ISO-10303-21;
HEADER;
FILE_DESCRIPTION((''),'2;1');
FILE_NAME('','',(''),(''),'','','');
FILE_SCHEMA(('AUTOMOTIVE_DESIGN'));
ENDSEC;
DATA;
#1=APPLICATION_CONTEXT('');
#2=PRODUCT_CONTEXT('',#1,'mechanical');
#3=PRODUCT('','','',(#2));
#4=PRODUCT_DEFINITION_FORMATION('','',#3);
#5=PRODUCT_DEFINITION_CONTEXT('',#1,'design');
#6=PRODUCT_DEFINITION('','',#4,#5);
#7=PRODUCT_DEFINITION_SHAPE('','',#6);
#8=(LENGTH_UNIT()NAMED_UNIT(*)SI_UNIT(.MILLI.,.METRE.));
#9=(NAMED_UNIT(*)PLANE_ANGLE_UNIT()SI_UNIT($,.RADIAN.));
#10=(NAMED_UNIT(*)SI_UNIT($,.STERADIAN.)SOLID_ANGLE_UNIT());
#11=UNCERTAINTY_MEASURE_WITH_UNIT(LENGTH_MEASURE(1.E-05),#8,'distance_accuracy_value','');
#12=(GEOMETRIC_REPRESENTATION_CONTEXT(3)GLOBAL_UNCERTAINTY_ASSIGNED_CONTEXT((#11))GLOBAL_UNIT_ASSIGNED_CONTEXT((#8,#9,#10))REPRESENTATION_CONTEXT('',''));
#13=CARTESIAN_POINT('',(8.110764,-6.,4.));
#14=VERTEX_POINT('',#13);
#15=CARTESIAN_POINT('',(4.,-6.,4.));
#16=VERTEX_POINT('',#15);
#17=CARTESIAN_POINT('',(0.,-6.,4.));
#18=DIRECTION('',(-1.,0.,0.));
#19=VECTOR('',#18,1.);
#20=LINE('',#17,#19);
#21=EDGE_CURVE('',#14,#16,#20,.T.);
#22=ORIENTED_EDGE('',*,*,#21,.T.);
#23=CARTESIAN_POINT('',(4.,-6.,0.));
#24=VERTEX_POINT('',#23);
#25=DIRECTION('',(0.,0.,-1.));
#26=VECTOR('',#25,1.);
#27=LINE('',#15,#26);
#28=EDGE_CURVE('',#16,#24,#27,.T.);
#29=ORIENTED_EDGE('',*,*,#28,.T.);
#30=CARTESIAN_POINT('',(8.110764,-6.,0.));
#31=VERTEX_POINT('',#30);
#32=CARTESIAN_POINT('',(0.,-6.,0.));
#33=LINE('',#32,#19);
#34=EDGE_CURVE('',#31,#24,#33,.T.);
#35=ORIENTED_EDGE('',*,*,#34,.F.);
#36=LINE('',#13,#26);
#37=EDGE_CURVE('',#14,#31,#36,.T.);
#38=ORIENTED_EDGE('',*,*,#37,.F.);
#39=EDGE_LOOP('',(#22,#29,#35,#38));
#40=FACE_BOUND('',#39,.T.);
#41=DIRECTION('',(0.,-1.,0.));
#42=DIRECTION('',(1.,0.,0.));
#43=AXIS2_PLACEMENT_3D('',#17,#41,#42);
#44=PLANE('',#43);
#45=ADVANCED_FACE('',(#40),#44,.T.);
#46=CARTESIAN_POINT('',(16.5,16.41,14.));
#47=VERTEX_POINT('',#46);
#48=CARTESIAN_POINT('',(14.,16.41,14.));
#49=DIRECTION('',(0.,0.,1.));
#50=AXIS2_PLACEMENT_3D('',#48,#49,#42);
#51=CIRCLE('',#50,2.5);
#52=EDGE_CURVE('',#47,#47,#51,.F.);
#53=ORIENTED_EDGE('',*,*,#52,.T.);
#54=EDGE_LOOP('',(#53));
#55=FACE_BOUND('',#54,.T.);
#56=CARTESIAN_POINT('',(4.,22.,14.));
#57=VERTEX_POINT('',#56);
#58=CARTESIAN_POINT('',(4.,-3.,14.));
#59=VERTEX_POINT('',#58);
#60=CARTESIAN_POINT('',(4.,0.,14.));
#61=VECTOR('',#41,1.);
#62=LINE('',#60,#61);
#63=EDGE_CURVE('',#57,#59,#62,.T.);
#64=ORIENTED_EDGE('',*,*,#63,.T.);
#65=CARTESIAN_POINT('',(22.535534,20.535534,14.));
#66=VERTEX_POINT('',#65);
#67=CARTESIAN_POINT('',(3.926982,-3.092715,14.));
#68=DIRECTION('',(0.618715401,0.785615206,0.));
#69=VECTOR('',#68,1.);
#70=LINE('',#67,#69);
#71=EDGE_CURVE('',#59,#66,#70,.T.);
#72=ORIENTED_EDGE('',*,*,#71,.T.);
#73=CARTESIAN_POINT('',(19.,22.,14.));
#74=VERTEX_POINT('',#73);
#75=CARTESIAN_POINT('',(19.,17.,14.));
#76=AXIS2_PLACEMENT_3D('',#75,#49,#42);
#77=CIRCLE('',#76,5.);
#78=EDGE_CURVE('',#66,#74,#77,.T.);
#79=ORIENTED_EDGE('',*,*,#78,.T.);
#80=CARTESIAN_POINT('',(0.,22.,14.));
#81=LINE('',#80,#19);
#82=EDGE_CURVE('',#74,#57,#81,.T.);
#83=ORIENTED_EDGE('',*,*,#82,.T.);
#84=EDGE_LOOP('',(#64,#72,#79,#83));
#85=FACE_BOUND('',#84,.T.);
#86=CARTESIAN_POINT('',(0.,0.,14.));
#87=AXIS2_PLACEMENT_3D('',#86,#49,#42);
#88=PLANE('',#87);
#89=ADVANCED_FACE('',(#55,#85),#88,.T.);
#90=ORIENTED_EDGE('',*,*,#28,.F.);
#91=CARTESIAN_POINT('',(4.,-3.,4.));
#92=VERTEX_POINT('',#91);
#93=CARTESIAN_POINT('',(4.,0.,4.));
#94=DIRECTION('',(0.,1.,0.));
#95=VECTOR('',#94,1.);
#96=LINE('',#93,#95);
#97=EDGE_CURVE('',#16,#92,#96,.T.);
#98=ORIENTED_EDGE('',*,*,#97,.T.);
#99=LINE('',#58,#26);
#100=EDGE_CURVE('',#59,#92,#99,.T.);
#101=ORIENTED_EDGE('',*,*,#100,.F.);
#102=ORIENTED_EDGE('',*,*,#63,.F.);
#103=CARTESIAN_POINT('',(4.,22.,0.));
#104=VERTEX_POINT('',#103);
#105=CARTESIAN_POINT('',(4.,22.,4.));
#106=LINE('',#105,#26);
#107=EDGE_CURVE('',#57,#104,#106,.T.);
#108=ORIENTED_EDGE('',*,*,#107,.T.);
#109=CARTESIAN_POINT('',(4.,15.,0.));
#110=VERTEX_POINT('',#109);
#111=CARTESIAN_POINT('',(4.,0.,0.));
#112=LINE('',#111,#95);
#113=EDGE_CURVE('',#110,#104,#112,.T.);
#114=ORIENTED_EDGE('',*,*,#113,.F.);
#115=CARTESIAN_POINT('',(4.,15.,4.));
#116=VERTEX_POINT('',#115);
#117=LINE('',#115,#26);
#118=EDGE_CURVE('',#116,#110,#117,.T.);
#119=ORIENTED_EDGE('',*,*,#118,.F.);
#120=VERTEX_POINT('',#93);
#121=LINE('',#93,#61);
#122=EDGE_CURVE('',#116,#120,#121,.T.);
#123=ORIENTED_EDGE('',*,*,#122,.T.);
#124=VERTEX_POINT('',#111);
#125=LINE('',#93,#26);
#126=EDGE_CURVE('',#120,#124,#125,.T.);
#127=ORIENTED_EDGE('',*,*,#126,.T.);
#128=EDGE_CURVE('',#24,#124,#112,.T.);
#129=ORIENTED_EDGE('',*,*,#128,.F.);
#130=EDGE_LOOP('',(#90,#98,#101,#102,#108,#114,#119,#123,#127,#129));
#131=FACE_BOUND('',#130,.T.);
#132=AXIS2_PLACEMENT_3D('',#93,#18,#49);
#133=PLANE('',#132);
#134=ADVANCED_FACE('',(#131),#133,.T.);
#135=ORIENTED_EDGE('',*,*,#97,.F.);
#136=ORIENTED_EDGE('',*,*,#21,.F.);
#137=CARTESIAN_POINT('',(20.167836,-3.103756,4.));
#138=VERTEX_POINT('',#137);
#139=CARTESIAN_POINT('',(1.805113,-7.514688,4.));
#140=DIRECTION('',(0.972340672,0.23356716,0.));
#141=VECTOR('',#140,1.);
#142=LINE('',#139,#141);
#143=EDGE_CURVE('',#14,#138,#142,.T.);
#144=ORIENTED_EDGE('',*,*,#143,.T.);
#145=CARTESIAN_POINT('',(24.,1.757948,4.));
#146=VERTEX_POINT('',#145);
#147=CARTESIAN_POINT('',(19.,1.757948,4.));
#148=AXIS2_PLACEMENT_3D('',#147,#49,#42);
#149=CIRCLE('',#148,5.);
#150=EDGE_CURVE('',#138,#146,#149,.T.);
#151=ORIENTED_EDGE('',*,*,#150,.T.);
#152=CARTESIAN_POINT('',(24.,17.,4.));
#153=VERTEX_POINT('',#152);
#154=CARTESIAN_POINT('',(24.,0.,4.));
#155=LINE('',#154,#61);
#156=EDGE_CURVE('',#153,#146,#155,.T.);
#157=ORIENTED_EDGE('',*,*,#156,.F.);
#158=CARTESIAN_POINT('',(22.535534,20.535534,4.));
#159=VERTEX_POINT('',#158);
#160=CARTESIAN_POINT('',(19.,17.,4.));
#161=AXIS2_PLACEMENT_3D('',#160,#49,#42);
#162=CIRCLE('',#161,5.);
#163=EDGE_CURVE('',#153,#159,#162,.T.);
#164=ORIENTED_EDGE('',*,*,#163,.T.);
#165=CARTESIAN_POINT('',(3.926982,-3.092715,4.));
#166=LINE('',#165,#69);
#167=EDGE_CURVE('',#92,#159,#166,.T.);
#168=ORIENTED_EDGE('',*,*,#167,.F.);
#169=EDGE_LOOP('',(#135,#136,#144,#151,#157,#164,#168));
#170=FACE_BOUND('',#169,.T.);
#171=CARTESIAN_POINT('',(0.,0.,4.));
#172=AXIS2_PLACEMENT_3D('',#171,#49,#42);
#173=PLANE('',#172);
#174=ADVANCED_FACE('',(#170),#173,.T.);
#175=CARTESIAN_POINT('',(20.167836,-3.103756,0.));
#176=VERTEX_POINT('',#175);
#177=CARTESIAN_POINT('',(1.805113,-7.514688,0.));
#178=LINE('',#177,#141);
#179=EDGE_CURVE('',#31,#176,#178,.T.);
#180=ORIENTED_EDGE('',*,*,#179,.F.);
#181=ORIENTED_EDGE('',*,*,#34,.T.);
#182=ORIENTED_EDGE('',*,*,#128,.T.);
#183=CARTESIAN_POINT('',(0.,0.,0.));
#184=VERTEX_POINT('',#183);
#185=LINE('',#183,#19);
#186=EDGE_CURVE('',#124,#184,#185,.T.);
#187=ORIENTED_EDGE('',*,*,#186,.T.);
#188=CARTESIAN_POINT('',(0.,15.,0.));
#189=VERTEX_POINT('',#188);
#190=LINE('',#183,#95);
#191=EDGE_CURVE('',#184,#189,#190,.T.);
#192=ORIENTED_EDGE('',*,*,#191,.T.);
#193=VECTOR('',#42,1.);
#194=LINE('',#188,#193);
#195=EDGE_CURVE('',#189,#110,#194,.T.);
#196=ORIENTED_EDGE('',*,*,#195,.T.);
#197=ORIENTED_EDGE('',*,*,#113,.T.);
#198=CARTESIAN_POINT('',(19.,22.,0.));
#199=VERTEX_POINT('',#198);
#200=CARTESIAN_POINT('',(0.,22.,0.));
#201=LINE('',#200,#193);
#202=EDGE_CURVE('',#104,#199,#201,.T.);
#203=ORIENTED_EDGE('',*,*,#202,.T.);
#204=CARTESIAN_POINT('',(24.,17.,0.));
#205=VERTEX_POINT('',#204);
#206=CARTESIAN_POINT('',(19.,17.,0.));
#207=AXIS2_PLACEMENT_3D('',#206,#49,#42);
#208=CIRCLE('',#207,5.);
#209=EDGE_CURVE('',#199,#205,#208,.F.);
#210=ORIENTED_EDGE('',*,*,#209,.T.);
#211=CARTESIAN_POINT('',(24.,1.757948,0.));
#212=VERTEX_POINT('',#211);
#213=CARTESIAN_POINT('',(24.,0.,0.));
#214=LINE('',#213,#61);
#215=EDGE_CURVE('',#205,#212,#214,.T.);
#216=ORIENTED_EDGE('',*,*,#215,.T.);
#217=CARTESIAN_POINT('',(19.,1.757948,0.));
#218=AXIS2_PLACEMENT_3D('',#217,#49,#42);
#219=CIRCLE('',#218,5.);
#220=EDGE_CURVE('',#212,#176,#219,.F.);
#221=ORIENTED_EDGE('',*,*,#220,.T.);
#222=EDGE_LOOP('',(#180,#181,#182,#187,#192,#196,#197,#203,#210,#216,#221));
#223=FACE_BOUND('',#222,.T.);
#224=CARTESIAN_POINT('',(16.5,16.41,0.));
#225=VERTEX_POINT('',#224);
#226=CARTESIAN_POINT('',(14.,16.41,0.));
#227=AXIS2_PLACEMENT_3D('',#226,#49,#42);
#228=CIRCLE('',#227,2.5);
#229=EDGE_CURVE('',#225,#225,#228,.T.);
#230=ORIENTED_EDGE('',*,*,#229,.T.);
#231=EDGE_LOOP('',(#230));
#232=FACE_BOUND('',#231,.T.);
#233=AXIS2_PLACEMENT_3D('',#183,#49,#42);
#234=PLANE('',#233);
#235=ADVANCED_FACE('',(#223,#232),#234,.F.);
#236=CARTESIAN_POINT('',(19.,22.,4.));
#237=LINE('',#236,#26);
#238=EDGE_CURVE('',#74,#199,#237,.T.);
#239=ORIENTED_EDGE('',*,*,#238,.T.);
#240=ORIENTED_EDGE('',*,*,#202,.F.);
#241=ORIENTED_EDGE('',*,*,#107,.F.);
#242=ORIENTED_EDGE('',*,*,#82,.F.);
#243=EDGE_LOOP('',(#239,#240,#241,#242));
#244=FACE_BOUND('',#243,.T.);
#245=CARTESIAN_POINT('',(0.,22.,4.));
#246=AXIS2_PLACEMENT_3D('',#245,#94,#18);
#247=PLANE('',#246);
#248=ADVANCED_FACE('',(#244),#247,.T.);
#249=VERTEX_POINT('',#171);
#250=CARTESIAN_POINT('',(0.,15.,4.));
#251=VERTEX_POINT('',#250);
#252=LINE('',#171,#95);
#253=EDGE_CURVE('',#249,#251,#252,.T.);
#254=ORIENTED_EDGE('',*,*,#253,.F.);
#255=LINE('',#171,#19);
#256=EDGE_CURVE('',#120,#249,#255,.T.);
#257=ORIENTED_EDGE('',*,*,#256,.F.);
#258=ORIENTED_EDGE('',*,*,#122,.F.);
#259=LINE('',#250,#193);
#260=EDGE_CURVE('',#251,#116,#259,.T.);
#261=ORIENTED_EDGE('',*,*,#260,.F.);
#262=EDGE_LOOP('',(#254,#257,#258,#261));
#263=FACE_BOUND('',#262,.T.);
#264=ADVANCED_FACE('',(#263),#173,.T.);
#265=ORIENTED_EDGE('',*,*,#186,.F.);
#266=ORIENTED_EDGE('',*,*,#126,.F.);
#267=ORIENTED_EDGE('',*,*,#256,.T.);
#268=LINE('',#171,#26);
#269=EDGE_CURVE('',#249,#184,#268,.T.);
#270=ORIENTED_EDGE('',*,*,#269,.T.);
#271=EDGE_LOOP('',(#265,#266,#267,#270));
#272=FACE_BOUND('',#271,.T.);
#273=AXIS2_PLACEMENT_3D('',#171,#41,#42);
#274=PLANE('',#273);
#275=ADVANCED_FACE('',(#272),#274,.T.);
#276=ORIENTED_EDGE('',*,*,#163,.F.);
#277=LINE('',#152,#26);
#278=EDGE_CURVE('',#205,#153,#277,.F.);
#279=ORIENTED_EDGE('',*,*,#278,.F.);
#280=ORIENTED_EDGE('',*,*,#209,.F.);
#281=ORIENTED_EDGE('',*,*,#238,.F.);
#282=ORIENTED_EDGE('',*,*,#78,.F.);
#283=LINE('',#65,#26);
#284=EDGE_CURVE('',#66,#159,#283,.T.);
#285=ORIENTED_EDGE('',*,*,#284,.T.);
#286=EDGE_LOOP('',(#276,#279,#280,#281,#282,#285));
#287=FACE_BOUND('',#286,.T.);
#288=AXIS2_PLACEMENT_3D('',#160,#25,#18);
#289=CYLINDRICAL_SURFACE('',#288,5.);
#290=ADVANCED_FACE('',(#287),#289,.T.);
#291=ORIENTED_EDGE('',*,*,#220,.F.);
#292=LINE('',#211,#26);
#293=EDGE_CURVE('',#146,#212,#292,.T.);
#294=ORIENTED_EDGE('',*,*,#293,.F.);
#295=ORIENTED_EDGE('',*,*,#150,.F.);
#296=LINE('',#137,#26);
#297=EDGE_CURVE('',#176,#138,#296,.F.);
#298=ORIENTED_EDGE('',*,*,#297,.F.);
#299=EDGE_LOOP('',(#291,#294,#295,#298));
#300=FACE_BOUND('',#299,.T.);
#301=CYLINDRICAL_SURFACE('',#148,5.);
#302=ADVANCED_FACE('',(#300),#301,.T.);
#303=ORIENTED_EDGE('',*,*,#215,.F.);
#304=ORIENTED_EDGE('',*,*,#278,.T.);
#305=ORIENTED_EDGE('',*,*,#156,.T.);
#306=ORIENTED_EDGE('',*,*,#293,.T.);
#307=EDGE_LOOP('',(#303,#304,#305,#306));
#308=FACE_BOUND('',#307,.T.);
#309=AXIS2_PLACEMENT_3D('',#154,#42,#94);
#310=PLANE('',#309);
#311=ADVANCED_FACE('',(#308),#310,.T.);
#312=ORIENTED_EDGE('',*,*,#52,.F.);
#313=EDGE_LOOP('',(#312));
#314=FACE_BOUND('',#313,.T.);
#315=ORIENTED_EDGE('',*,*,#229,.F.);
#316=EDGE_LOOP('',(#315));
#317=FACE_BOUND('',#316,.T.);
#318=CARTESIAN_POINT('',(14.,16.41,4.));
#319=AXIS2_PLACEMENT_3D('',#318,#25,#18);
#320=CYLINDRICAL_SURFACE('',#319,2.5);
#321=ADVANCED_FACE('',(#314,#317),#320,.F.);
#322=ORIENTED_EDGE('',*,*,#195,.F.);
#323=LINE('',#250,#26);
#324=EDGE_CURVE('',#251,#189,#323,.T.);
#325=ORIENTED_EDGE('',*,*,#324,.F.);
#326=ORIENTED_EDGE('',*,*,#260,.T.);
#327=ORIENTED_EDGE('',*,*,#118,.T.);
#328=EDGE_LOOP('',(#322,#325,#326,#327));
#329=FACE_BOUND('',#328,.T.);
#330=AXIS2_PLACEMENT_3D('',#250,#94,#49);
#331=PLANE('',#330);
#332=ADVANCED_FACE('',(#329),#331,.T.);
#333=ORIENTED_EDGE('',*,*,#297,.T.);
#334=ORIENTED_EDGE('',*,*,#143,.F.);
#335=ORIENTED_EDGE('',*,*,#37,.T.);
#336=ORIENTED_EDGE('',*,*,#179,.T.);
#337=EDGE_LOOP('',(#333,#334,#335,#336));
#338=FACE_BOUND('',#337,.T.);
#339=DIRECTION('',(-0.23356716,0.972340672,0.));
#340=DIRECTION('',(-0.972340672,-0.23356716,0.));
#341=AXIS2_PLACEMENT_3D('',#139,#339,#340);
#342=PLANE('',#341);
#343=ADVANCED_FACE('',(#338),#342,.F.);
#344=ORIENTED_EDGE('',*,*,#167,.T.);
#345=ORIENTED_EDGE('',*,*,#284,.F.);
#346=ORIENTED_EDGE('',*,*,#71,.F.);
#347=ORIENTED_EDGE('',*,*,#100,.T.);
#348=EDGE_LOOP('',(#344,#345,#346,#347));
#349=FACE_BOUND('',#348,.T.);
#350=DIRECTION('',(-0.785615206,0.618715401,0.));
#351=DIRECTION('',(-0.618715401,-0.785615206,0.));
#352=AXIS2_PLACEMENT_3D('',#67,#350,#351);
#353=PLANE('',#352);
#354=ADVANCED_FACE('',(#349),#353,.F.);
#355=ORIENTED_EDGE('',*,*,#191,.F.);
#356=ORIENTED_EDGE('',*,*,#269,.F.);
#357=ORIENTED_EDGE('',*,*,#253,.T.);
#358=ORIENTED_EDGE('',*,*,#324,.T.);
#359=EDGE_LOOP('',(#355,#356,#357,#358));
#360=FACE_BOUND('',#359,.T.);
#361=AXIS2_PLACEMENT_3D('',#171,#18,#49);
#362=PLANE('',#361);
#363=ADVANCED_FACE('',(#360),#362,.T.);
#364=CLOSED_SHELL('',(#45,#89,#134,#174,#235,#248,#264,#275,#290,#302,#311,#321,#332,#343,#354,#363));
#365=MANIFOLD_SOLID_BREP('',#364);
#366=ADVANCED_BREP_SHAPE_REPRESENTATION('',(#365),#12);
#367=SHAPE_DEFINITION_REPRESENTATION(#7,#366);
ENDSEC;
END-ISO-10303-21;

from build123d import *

# Parameters (mm, degrees)
SKETCH_1_R      = 2.5
EXTRUDE_1_DEPTH = 4
FILLET_1_R      = 5
SKETCH_2_R      = 2.5
EXTRUDE_2_DEPTH = 10


with BuildPart() as part:
    # ｽｹｯﾁ1 → ﾎﾞｽ - 押し出し1 (new body)
    with BuildSketch(Plane.XY):
        Polygon((0, 15), (0, 0), (4, 0), (4, -6), (8.110763801, -6), (24, -2.18322685), (24, 22), (4, 22), (4, 15), align=None)
        with Locations((14, 16.41)):
            Circle(SKETCH_1_R, mode=Mode.SUBTRACT)
    extrude(amount=EXTRUDE_1_DEPTH)

    # ﾌｨﾚｯﾄ1
    fillet_1_edges = [part.edges().sort_by_distance(p)[0] for p in [
        (24, 22, 2),
        (24, -2.18322685, 2),
    ]]
    fillet(fillet_1_edges, radius=FILLET_1_R)

    # ｽｹｯﾁ2 → ﾎﾞｽ - 押し出し2 (add)
    with BuildSketch(Plane.XY.offset(4)):
        with BuildLine():
            Line((4, 0), (4, -3))
            Line((4, -3), (22.535533906, 20.535533906))
            ThreePointArc((22.535533906, 20.535533906), (20.913417162, 21.619397663), (19, 22))
            Line((19, 22), (4, 22))
            Line((4, 22), (4, 15))
            Line((4, 15), (4, 0))
        make_face()
        with Locations((14, 16.41)):
            Circle(SKETCH_2_R, mode=Mode.SUBTRACT)
    extrude(amount=EXTRUDE_2_DEPTH)


solid = part.part
